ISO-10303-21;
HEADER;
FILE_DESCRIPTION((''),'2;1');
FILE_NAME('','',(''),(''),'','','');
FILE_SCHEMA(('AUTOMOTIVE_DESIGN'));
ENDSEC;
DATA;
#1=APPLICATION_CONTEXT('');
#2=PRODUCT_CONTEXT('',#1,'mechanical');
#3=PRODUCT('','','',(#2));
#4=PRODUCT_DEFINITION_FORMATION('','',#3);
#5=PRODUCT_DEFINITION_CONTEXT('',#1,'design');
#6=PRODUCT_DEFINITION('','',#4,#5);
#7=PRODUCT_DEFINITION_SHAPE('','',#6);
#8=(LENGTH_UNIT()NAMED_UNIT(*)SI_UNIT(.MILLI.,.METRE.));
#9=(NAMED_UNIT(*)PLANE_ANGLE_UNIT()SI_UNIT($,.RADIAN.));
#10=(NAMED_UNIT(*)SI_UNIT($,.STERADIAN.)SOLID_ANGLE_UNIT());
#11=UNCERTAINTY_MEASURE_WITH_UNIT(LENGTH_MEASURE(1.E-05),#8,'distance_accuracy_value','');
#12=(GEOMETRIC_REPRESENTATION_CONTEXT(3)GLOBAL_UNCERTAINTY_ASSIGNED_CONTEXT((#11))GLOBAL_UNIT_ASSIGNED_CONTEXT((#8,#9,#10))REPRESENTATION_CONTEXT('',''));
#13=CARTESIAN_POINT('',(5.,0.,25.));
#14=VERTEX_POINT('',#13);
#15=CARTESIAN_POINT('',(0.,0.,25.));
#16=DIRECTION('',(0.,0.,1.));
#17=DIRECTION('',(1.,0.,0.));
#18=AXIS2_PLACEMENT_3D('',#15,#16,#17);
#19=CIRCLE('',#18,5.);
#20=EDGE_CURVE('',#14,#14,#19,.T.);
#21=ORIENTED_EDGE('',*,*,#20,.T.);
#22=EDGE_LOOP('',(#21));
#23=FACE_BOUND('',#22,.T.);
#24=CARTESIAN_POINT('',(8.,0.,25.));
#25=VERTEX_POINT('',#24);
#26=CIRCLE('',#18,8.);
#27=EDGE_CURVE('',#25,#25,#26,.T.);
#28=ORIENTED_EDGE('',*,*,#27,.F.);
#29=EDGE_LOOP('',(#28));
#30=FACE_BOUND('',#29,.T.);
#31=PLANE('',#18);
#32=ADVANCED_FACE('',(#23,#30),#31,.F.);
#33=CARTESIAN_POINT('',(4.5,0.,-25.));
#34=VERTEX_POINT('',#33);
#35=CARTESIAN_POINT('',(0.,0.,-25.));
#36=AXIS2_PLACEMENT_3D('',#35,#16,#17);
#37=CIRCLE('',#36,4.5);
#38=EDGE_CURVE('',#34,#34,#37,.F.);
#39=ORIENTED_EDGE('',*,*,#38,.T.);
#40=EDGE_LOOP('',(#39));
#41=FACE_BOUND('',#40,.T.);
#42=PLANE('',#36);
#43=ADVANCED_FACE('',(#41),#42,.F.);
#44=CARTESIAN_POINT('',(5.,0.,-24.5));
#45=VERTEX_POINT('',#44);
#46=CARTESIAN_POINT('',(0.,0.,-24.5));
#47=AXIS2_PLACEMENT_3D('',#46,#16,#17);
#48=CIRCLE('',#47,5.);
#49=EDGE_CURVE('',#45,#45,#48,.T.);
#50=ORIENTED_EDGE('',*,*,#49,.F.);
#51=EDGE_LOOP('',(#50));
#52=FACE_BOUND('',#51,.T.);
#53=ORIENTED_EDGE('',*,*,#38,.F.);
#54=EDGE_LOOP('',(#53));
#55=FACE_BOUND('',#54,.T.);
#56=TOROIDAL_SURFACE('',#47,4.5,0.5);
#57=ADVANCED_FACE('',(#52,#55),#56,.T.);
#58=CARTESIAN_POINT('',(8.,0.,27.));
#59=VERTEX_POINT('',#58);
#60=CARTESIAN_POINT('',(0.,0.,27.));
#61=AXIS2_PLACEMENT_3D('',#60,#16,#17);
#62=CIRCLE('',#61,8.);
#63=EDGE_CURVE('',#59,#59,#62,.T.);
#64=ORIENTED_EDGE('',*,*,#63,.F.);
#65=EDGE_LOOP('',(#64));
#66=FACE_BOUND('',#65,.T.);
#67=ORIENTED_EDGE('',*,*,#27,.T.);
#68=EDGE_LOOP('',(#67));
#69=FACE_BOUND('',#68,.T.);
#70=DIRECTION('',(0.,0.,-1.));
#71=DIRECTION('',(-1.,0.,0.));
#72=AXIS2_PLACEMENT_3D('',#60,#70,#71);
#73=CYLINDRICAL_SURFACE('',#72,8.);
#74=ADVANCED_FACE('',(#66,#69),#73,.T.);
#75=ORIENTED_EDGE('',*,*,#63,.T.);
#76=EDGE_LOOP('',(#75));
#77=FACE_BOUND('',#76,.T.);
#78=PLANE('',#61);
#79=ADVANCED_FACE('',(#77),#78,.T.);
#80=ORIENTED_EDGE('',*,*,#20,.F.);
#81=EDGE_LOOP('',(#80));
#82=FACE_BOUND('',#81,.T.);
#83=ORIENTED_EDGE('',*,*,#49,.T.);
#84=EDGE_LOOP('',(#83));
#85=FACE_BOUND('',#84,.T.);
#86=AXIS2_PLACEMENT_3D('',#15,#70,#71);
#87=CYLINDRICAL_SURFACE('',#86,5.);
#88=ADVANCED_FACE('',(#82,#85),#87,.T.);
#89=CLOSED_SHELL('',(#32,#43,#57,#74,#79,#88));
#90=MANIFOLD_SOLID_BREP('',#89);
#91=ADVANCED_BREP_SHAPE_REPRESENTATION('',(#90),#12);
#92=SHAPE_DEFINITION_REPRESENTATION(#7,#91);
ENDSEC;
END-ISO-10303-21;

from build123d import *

# Parameters (mm, degrees)
SKETCH1_R           = 5
BOSS_EXTRUDE1_DEPTH = 25
FILLET3_R           = 0.5
BOSS_EXTRUDE2_START = 25
SKETCH2_R           = 8
BOSS_EXTRUDE2_DEPTH = 2


with BuildPart() as part:
    # Sketch1 → Boss-Extrude1 (new, symmetric)
    with BuildSketch(Plane.XY):
        Circle(SKETCH1_R)
    extrude(amount=BOSS_EXTRUDE1_DEPTH, both=True)

    # Fillet3
    fillet3_edges = [part.edges().sort_by_distance(p)[0] for p in [
        (-5, 0, -25),
    ]]
    fillet(fillet3_edges, radius=FILLET3_R)

    # Sketch2 → Boss-Extrude2 (add)
    with BuildSketch(Plane.XY.offset(BOSS_EXTRUDE2_START)):
        Circle(SKETCH2_R)
    extrude(amount=BOSS_EXTRUDE2_DEPTH)


solid = part.part
